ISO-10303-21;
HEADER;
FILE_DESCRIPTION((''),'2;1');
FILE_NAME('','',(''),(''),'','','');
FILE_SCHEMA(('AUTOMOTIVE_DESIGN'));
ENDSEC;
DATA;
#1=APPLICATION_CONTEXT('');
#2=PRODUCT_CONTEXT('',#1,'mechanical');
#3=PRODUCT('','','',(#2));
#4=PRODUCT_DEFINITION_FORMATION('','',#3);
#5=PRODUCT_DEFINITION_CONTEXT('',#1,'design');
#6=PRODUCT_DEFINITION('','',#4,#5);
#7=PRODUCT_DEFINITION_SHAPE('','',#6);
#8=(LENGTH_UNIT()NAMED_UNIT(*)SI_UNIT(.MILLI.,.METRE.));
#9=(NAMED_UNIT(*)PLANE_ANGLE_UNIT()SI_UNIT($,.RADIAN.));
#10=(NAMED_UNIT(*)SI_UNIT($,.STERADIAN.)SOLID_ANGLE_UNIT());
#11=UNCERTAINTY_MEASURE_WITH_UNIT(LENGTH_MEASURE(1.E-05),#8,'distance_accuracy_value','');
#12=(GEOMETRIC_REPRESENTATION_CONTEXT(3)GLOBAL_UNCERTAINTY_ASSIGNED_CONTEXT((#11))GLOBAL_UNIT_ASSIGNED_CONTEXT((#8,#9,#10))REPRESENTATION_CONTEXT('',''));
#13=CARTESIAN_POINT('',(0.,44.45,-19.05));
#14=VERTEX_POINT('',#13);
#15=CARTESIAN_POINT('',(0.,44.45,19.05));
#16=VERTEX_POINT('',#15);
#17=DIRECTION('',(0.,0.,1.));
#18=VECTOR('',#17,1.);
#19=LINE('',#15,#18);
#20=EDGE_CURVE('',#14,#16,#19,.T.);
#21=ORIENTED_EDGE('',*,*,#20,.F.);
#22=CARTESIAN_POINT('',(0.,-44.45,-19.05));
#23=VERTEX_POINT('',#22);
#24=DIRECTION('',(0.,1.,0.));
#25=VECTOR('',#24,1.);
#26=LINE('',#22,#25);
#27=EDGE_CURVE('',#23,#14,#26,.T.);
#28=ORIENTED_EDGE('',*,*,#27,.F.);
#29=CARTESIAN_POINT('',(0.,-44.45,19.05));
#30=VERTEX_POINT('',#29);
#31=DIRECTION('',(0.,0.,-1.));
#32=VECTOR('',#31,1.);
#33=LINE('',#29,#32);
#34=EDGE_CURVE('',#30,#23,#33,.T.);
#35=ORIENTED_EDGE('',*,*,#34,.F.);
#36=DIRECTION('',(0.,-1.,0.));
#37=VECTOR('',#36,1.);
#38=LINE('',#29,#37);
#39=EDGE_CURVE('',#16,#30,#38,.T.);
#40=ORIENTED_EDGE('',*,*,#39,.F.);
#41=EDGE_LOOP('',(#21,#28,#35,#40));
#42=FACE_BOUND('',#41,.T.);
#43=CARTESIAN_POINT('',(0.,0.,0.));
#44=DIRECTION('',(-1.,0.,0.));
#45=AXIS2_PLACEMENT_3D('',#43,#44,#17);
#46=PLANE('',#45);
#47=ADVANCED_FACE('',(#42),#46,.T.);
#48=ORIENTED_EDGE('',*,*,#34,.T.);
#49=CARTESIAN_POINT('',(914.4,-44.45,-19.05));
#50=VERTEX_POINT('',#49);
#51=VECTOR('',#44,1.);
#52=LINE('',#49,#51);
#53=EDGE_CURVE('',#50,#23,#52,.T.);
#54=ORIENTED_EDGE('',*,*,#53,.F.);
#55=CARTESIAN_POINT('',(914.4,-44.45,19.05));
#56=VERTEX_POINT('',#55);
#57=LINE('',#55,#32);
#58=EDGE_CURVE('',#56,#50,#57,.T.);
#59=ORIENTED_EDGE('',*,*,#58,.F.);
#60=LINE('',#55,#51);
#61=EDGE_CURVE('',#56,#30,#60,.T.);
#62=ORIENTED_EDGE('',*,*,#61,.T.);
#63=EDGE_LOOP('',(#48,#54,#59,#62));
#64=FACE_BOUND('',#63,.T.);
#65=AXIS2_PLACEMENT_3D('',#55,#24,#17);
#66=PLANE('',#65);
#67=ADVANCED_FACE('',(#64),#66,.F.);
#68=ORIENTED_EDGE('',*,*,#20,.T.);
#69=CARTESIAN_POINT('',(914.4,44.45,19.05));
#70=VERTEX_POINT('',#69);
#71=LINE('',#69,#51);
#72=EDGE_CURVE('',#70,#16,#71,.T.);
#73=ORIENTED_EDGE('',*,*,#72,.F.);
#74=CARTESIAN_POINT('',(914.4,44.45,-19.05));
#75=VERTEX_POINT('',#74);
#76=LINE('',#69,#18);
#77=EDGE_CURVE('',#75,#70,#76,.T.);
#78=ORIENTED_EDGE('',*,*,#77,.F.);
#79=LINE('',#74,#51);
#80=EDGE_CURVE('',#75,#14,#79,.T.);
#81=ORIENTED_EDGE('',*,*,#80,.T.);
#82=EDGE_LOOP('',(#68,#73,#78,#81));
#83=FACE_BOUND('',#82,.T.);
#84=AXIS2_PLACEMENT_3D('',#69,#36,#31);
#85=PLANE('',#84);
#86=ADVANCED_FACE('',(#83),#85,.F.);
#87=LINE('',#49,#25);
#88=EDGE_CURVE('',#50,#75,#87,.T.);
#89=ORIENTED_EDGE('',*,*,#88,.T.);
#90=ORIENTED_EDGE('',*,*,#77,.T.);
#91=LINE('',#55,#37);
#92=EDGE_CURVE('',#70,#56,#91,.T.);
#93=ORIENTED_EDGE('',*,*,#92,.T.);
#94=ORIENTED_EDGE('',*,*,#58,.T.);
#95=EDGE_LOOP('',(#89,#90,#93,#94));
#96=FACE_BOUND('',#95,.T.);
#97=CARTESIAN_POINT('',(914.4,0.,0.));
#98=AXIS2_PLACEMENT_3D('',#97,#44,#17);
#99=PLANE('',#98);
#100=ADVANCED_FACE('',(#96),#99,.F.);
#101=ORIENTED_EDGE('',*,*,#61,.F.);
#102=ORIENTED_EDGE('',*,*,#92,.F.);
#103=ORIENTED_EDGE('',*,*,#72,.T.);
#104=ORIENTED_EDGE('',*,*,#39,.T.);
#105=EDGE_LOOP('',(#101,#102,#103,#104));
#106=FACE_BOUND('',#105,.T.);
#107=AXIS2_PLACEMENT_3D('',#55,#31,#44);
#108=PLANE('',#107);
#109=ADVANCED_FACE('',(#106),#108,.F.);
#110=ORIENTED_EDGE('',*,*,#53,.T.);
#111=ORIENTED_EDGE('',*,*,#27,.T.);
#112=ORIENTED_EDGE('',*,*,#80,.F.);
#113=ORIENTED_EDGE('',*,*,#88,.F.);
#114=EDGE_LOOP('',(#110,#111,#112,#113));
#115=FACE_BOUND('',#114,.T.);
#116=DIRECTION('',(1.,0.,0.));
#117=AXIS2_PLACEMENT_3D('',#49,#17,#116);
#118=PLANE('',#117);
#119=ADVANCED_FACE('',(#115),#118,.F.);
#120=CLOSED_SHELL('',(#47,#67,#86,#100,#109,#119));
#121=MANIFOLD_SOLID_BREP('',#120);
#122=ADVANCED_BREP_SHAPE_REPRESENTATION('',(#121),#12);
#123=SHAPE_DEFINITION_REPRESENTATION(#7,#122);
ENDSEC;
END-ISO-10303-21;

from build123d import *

# Parameters (mm, degrees)
SKETCH1_W           = 38.1
SKETCH1_H           = 88.9
BOSS_EXTRUDE1_DEPTH = 914.4


with BuildPart() as part:
    # Sketch1 → Boss-Extrude1 (new body)
    with BuildSketch(Plane(origin=(0, 0, 0), x_dir=(0, 0, -1), z_dir=(1, 0, 0))):
        Rectangle(SKETCH1_W, SKETCH1_H)
    extrude(amount=BOSS_EXTRUDE1_DEPTH)


solid = part.part
